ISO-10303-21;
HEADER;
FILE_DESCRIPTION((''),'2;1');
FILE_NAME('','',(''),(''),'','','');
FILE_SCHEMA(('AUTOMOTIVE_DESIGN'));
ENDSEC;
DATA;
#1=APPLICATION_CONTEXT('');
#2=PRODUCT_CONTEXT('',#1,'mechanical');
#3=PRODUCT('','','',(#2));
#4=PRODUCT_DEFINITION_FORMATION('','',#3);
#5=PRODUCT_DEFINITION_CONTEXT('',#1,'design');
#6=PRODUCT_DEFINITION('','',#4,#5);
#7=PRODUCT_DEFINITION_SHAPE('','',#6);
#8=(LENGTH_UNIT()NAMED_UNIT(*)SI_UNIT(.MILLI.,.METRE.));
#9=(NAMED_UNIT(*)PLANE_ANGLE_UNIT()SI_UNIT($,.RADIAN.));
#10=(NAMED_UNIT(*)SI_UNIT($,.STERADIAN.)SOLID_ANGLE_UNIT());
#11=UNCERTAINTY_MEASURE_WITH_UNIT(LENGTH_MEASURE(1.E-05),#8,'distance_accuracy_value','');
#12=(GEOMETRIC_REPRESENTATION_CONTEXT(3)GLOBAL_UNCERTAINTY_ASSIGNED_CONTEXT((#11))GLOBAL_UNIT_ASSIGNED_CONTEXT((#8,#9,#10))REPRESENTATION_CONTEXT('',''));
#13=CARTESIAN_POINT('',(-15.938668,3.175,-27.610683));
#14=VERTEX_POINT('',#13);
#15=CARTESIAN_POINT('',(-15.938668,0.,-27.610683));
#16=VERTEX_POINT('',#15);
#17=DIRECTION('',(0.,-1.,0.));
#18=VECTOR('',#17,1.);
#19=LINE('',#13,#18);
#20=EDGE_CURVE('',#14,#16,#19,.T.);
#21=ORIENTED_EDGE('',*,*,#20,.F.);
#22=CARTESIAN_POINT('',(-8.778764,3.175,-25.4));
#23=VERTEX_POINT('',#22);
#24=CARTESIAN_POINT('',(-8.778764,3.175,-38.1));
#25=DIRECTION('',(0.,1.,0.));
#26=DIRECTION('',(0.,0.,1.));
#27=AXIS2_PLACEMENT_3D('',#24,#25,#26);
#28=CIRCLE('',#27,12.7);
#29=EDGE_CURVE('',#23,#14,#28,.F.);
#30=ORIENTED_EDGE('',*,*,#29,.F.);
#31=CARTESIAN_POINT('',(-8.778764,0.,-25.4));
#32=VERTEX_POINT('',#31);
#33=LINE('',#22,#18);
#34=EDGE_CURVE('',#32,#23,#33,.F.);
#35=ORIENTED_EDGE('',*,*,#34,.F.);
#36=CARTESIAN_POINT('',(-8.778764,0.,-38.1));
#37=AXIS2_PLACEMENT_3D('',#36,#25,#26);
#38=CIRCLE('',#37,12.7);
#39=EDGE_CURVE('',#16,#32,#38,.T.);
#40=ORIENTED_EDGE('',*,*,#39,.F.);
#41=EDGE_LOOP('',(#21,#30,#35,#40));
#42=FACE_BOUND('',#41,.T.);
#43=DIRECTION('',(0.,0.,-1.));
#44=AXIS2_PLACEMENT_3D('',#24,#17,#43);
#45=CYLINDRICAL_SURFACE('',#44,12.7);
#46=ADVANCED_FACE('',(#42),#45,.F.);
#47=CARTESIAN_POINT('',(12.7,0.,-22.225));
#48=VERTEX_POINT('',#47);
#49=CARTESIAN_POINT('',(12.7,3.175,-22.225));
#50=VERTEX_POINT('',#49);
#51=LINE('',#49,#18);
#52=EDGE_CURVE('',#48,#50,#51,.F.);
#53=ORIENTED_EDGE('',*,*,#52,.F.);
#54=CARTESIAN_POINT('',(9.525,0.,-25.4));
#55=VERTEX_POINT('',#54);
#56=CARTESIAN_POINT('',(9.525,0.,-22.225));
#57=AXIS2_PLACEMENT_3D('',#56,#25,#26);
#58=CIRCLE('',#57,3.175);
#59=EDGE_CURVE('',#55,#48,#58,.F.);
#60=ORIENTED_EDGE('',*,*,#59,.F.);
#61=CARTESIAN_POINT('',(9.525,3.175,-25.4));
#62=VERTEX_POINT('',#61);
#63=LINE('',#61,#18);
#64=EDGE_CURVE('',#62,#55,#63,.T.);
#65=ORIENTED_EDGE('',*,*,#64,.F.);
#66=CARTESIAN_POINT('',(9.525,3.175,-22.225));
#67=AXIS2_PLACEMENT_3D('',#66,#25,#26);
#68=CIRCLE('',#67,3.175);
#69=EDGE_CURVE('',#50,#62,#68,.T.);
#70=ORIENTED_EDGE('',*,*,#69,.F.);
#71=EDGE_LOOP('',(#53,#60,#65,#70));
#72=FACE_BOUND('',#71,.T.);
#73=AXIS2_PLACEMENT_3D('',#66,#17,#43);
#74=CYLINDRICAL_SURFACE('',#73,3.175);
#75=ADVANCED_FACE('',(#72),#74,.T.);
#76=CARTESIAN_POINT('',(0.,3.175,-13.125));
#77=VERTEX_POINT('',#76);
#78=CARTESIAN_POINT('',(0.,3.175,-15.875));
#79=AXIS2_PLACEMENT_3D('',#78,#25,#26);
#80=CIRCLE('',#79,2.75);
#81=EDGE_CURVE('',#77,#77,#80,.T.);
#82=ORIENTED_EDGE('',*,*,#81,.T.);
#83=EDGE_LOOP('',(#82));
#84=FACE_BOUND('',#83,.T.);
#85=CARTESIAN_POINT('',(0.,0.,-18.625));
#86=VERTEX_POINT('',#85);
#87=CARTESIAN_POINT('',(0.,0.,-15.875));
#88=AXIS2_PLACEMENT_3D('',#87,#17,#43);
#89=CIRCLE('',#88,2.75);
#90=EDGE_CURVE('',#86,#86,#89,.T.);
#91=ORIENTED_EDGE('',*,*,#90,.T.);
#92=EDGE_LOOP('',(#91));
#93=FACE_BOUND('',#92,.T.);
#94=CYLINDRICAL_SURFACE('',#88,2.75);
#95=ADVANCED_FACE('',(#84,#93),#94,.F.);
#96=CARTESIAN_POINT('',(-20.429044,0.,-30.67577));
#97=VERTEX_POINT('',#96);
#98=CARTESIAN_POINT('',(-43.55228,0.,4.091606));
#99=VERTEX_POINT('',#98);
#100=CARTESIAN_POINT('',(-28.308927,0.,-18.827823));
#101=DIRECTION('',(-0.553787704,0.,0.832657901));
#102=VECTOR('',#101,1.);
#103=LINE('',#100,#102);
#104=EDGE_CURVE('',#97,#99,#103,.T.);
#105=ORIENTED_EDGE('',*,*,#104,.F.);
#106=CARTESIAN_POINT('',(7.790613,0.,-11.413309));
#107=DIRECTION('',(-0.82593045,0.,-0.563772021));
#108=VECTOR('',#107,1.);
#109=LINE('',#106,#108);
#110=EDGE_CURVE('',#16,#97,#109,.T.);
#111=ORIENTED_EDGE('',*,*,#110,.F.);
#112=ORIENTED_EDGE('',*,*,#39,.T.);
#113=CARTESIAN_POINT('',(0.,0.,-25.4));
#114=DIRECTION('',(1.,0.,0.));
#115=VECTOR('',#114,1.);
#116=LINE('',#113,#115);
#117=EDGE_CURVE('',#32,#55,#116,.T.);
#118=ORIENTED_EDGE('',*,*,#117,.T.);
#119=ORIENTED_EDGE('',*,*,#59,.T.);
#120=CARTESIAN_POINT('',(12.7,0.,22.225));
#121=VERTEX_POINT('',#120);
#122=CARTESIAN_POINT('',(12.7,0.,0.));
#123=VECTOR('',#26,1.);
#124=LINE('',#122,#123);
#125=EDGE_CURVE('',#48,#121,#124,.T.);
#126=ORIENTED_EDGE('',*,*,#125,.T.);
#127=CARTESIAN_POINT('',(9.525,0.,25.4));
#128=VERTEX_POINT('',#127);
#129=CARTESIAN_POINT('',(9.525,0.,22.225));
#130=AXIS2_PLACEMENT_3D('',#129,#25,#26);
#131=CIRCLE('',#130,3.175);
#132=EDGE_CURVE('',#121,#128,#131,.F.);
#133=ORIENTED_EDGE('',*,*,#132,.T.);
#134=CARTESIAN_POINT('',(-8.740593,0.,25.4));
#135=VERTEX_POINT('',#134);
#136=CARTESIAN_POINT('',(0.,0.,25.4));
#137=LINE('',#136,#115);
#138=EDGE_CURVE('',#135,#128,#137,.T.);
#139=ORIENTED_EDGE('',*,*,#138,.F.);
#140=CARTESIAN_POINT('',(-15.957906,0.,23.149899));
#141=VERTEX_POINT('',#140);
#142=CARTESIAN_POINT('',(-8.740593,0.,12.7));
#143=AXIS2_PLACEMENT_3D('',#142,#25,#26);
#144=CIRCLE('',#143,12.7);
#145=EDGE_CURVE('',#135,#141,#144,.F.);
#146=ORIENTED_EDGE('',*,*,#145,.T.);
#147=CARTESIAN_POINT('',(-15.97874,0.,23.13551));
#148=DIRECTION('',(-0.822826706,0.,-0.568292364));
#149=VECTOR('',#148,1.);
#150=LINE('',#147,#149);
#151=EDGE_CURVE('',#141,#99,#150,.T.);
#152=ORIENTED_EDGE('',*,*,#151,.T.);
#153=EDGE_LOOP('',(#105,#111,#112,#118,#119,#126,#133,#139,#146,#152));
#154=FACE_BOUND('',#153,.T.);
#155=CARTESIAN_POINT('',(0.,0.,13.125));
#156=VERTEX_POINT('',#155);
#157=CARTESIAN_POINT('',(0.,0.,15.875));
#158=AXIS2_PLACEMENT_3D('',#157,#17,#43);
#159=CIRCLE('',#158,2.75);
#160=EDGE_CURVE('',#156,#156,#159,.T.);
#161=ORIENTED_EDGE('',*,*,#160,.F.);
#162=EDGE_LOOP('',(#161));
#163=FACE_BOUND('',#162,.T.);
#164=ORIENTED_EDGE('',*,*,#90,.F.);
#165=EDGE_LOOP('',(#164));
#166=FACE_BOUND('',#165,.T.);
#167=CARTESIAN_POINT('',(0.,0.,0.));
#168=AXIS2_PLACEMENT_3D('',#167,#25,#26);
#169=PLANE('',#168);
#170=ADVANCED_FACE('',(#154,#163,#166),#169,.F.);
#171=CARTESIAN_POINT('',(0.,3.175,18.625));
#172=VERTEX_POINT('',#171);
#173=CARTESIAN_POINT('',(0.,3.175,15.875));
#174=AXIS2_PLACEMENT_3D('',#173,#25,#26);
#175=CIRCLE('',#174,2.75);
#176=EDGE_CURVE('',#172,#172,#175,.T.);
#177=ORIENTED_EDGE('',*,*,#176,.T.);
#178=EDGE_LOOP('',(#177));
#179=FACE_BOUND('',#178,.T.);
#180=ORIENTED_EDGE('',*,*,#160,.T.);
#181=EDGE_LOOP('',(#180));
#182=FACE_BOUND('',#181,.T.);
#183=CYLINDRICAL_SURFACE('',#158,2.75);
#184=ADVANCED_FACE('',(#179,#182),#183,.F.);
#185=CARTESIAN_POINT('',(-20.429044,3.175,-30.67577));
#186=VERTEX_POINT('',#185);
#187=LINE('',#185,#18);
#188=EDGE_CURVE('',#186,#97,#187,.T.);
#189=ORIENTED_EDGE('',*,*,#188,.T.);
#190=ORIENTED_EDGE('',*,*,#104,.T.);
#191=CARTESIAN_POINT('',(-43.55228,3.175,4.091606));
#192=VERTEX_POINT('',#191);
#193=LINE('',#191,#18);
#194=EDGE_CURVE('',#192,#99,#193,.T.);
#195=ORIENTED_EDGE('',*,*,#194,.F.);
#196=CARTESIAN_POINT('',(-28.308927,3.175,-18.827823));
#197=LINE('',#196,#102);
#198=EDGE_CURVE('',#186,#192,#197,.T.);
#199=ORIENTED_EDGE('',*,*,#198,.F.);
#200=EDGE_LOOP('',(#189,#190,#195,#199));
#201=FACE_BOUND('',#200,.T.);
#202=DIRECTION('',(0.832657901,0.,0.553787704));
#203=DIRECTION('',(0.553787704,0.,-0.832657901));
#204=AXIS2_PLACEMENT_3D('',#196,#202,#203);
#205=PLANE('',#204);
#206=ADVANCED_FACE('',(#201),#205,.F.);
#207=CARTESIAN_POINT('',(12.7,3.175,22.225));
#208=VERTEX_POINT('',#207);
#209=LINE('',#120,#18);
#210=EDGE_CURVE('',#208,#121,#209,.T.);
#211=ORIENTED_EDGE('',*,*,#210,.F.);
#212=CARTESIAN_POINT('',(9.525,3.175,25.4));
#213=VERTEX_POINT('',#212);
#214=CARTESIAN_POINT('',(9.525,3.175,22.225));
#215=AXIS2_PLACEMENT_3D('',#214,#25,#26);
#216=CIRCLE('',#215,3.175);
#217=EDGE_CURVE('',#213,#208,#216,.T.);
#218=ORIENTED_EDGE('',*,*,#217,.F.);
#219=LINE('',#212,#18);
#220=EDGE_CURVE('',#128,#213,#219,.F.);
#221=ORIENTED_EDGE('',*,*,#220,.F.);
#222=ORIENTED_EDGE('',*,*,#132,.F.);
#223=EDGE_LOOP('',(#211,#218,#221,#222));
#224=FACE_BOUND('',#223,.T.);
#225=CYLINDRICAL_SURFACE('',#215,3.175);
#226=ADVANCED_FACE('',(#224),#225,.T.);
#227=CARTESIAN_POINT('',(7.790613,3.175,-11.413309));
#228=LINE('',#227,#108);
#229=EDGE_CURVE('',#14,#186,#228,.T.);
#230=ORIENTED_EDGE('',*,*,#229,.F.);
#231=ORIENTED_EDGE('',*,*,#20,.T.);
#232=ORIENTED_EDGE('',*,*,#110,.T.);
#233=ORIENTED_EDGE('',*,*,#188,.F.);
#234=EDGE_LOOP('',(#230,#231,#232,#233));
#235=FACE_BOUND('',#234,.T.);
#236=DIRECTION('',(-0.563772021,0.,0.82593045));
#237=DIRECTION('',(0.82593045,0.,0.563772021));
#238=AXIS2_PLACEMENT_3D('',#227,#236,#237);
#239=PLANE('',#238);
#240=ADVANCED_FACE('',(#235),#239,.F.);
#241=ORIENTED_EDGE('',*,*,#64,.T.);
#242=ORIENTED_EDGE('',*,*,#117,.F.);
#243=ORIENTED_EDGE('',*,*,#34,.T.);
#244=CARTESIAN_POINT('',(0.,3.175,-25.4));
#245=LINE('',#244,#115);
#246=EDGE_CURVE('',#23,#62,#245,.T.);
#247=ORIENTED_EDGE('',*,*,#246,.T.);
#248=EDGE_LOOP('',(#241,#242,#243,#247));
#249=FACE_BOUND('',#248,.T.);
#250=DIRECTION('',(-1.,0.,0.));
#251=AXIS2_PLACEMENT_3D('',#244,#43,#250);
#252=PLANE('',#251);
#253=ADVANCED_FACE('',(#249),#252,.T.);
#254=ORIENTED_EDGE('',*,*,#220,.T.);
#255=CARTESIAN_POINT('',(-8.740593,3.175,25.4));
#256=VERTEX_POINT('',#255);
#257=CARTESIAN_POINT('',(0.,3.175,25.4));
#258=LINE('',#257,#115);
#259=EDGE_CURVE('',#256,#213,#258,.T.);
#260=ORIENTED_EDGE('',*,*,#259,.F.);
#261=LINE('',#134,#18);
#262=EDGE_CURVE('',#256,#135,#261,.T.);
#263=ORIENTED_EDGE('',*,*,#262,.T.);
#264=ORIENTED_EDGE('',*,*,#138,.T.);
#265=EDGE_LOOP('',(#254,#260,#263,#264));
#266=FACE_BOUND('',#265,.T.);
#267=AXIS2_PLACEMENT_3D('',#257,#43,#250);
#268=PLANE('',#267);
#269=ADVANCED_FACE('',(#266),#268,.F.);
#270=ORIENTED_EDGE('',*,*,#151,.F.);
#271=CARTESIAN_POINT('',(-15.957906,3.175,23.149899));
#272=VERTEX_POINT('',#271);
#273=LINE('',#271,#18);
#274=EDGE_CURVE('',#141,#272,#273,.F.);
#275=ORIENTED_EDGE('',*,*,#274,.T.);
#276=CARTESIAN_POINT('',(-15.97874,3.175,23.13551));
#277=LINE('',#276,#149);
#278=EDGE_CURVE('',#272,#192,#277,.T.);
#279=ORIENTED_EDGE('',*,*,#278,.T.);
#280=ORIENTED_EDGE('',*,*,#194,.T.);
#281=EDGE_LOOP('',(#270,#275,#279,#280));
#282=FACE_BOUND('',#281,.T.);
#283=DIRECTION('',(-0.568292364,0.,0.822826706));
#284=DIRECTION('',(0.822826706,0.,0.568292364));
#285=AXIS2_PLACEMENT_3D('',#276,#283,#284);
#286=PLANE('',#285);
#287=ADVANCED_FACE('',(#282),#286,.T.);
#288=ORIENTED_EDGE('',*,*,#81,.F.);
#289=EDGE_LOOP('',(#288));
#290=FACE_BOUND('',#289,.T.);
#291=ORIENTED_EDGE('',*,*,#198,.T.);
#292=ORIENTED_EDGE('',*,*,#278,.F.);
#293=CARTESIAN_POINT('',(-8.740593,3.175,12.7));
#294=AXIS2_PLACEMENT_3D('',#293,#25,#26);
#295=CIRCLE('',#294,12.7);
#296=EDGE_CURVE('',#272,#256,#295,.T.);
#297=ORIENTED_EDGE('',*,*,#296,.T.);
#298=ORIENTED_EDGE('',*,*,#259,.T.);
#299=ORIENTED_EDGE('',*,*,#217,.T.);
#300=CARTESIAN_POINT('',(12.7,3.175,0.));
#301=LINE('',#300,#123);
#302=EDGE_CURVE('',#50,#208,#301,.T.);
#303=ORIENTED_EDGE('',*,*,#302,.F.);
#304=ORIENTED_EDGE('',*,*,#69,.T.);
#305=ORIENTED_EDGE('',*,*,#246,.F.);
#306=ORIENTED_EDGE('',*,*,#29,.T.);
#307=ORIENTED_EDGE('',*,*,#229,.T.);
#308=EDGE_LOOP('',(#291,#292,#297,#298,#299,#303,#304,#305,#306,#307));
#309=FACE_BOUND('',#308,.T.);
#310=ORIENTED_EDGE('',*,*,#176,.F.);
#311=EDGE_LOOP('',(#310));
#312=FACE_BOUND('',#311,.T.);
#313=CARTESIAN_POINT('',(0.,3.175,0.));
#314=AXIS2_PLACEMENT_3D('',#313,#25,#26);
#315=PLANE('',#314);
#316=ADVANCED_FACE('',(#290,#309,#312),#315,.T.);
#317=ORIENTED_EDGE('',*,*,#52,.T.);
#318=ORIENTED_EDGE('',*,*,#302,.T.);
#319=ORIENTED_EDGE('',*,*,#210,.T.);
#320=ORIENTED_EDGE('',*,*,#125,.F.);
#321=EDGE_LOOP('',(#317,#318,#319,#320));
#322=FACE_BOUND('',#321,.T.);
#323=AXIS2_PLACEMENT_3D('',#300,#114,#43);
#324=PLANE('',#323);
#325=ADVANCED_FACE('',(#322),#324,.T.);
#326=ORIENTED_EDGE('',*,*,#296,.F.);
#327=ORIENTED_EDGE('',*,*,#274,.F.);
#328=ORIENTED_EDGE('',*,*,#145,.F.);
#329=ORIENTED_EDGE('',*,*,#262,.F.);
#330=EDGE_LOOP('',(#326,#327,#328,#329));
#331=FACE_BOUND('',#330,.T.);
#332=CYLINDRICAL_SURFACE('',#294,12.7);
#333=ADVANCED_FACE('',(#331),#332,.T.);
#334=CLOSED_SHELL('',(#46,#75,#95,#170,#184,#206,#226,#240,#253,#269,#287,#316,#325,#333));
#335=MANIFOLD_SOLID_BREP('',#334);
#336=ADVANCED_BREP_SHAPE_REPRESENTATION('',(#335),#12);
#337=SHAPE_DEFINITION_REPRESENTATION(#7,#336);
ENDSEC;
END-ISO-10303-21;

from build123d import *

# Parameters (mm, degrees)
SKETCH1_W                = 25.4
SKETCH1_H                = 50.8
BOSS_EXTRUDE1_DEPTH      = 3.175
M5_CLEARANCE_HOLE1_D     = 5.5
M5_CLEARANCE_HOLE1_DEPTH = 12.7
M5_CLEARANCE_HOLE1_TIP   = 1.652366702
FILLET1_R                = 12.7
FILLET2_R                = 3.175


with BuildPart() as part:
    # Sketch1 → Boss-Extrude1 (new body)
    with BuildSketch(Plane(origin=(0, 0, 0), x_dir=(1, 0, 0), z_dir=(0, 1, 0))):
        Polygon((-12.7, 25.4), (-20.429044148, 30.6757697), (-43.552280389, -4.091606348), (-12.7, -25.4), align=None)
        Rectangle(SKETCH1_W, SKETCH1_H)
    extrude(amount=BOSS_EXTRUDE1_DEPTH)

    # M5 Clearance Hole1
    with Locations(Plane(origin=(0, 0, 0), x_dir=(-1, 0, 0), z_dir=(0, -1, 0))):
        with Locations((0, 15.875), (0, -15.875)):
            Hole(M5_CLEARANCE_HOLE1_D / 2, depth=M5_CLEARANCE_HOLE1_DEPTH)
            with Locations((0, 0, -(M5_CLEARANCE_HOLE1_DEPTH + M5_CLEARANCE_HOLE1_TIP / 2))):  # 118° drill point
                Cone(0, M5_CLEARANCE_HOLE1_D / 2, M5_CLEARANCE_HOLE1_TIP, mode=Mode.SUBTRACT)

    # Fillet1
    fillet1_edges = [part.edges().sort_by_distance(p)[0] for p in [
        (-12.7, 1.5875, -25.4),
        (-12.7, 1.5875, 25.4),
    ]]
    fillet(fillet1_edges, radius=FILLET1_R)

    # Fillet2
    fillet2_edges = [part.edges().sort_by_distance(p)[0] for p in [
        (12.7, 1.5875, -25.4),
        (12.7, 1.5875, 25.4),
    ]]
    fillet(fillet2_edges, radius=FILLET2_R)


solid = part.part
